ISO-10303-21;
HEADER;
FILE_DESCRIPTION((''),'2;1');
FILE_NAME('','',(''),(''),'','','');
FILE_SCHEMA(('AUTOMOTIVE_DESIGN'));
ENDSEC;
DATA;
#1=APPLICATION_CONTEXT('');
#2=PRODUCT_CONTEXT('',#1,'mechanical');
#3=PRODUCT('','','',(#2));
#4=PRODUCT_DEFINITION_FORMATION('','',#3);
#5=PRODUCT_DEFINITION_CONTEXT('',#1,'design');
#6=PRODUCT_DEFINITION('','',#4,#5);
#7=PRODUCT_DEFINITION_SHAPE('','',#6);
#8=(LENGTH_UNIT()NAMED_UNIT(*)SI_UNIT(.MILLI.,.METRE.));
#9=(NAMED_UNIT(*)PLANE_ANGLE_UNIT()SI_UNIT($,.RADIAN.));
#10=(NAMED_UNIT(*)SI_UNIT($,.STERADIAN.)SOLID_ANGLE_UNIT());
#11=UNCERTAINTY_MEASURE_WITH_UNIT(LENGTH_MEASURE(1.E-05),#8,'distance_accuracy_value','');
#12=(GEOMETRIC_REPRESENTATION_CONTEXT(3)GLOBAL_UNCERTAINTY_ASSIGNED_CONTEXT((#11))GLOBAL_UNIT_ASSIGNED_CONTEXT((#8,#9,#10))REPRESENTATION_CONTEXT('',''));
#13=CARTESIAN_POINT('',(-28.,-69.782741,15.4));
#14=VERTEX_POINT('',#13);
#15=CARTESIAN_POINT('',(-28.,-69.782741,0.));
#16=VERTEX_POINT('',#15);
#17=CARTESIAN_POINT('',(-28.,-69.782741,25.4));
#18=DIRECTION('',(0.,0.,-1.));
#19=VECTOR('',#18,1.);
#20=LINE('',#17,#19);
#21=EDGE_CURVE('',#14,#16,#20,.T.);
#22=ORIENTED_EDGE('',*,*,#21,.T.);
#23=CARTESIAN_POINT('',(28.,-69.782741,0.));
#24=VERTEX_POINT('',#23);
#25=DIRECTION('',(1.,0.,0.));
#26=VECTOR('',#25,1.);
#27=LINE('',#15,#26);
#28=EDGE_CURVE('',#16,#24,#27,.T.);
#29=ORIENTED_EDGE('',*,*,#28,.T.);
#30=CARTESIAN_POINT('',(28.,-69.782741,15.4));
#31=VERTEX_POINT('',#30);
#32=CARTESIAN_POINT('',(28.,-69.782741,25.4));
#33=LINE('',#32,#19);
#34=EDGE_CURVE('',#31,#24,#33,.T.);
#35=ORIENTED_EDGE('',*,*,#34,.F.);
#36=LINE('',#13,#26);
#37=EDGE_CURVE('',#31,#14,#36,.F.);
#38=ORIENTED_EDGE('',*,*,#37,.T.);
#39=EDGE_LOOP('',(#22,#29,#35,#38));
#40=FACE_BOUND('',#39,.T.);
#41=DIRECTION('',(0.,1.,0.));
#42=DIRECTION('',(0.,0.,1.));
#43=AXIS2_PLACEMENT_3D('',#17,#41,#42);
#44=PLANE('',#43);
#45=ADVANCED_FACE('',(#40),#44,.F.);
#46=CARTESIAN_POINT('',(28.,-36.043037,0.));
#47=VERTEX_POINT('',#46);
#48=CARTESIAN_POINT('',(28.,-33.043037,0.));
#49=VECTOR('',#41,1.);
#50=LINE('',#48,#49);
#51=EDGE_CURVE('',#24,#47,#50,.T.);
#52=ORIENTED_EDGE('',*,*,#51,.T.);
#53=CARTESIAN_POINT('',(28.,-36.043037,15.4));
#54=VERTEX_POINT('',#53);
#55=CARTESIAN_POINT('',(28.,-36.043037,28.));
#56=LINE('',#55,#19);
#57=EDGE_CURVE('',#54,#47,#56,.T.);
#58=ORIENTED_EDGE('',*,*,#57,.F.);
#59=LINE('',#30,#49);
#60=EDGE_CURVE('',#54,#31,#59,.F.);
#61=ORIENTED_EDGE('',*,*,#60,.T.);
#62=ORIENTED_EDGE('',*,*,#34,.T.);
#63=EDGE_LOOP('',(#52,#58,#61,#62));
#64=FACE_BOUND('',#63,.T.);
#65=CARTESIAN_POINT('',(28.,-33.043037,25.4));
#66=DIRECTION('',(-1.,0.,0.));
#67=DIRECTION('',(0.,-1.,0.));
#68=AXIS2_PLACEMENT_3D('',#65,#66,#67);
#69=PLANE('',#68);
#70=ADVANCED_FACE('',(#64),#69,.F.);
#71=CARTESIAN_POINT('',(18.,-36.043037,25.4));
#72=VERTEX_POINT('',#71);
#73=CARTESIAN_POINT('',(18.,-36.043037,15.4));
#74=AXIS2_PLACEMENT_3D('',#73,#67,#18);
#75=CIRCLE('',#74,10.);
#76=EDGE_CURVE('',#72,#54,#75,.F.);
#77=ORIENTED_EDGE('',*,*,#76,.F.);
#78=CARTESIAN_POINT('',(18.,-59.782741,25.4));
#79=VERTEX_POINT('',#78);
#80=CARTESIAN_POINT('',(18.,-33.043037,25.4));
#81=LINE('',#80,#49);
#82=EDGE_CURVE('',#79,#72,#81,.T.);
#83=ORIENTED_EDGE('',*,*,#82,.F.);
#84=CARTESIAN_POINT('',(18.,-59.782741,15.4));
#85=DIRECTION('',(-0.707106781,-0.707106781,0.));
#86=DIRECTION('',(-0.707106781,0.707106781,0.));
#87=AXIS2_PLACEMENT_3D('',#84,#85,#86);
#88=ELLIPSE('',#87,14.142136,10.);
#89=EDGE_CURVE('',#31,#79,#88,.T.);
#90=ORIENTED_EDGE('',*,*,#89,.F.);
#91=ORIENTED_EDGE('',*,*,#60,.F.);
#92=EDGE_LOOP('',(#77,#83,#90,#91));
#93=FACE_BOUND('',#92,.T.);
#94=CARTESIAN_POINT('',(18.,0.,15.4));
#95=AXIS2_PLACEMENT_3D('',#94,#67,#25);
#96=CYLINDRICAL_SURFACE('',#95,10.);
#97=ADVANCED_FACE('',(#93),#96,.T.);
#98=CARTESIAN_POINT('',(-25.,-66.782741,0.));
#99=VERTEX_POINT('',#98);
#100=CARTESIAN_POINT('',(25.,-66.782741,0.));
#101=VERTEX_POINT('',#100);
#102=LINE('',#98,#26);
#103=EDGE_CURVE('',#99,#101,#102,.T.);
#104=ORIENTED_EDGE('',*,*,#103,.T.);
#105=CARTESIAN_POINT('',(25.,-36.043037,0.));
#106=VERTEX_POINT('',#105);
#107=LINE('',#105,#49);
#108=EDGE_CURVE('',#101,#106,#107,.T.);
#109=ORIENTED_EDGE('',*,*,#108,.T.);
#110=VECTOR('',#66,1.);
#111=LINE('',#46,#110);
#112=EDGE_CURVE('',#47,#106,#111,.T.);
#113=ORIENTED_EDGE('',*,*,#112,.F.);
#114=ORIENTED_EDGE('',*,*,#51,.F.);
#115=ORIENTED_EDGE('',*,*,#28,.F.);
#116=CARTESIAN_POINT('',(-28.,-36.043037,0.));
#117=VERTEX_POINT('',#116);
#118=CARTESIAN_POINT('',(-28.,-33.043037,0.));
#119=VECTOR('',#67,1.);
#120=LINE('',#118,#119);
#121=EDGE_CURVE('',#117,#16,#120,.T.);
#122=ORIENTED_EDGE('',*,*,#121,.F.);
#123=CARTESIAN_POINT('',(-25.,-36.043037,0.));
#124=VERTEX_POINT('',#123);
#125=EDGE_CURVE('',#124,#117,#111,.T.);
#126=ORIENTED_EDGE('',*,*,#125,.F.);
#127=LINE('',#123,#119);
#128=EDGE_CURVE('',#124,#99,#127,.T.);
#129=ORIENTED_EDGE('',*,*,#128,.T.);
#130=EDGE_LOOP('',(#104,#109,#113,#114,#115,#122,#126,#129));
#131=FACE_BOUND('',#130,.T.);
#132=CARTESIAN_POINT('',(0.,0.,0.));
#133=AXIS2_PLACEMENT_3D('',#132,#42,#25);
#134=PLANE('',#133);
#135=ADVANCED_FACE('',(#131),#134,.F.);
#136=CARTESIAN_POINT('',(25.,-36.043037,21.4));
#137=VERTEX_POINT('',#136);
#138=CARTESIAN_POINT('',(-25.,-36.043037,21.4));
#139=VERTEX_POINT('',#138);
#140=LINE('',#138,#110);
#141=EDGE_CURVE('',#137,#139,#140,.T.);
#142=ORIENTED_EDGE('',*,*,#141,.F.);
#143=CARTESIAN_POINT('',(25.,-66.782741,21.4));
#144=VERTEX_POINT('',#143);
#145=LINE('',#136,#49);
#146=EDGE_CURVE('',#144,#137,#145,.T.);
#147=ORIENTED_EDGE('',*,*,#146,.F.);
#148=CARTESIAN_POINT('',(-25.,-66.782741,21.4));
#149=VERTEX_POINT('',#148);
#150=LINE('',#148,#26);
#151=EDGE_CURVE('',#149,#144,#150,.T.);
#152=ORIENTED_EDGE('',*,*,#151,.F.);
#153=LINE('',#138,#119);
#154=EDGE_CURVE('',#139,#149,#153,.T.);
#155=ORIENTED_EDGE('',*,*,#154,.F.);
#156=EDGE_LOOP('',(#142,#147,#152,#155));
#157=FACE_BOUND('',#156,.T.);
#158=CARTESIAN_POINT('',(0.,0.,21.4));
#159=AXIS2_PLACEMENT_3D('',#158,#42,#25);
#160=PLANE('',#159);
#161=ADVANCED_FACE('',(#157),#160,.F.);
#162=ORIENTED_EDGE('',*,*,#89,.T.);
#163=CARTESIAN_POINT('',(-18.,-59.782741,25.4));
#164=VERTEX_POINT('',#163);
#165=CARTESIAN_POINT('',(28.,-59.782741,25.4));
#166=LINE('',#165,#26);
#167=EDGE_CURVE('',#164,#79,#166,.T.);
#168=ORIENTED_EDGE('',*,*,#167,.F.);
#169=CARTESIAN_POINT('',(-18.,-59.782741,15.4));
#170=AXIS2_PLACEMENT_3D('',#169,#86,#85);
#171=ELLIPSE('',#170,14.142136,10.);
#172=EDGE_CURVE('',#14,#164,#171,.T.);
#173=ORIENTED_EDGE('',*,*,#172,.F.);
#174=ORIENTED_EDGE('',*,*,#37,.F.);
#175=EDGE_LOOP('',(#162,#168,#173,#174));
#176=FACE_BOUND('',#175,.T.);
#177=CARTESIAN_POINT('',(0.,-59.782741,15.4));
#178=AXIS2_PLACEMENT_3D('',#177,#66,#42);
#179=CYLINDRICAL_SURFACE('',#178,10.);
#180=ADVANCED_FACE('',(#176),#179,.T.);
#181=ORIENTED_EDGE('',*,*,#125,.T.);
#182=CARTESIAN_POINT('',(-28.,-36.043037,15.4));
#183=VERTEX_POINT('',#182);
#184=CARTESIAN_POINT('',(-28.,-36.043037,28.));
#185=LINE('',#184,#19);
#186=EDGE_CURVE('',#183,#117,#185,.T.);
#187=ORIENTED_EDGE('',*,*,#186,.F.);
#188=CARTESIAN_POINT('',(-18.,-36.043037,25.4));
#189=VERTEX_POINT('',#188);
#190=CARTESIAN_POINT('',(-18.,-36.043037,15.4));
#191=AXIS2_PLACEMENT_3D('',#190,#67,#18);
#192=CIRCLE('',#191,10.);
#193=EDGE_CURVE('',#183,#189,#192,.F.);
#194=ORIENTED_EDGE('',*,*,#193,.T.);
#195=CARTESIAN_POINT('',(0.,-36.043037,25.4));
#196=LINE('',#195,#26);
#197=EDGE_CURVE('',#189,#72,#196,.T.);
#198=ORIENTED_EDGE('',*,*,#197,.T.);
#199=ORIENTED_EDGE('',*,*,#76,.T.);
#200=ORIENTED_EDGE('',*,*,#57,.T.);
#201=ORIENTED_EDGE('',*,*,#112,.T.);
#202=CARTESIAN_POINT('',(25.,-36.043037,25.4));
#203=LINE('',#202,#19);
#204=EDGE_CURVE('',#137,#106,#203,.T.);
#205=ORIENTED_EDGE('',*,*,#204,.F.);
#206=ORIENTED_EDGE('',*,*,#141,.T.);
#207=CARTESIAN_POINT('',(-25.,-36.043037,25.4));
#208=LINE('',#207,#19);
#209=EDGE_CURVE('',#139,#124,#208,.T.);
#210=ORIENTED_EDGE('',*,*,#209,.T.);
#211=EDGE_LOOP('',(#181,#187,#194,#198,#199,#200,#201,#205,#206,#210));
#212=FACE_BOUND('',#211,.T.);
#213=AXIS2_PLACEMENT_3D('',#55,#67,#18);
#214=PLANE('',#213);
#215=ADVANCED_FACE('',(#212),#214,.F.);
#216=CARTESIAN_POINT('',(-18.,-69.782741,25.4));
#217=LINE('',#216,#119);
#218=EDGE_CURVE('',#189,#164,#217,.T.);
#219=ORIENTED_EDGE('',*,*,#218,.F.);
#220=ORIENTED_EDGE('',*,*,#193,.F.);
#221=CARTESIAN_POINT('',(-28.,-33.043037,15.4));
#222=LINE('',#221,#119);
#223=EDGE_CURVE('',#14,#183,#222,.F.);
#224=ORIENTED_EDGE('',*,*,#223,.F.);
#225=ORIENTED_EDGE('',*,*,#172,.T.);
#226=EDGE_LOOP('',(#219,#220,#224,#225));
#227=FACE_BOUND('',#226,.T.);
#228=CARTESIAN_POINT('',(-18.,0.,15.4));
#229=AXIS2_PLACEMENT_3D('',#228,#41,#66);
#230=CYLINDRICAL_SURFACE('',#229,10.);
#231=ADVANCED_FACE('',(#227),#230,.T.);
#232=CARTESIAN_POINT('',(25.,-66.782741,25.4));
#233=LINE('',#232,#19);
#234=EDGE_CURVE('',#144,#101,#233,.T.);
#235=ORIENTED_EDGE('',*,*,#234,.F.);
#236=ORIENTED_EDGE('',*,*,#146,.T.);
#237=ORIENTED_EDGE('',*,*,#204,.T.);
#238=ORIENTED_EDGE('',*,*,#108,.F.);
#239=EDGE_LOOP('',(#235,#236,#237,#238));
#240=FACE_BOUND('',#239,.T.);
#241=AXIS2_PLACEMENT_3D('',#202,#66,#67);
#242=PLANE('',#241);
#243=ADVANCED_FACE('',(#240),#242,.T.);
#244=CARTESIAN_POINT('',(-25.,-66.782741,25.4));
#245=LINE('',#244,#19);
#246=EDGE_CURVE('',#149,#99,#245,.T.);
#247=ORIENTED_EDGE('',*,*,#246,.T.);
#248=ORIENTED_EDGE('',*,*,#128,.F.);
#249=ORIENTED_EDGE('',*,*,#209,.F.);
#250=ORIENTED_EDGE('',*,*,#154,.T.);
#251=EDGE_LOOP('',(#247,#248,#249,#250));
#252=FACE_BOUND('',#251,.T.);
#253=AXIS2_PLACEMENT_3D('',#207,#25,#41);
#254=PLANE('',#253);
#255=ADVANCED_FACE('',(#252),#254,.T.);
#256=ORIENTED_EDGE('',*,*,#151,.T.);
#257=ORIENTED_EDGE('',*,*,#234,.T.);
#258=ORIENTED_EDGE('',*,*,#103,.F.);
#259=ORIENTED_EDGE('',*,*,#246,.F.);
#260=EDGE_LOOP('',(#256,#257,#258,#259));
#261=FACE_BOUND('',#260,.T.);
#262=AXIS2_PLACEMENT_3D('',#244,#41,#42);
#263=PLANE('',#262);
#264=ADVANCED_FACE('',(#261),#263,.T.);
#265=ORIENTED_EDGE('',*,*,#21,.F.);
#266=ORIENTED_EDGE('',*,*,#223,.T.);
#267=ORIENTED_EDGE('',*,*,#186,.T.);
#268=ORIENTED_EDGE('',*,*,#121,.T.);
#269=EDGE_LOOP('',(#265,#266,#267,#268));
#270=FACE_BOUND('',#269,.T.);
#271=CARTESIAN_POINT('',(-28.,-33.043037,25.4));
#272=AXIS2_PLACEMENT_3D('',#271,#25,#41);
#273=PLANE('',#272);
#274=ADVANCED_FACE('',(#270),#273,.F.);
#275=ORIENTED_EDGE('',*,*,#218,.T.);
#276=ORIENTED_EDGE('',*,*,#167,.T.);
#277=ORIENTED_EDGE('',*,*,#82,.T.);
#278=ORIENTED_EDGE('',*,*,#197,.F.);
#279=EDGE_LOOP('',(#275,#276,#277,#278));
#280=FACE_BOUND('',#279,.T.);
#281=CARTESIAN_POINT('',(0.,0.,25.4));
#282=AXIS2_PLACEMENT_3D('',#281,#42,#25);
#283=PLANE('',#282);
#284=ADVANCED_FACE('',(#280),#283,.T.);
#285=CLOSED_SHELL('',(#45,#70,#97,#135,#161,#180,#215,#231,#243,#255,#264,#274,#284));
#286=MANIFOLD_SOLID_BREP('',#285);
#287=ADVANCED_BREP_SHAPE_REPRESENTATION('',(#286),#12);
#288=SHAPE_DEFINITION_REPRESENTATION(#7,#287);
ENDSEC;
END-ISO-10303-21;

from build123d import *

# Parameters (mm, degrees)
SKETCH1_W           = 56
SKETCH1_H           = 36.73970361
SKETCH1_W_2         = 50
SKETCH1_H_2         = 30.73970361
BOSS_EXTRUDE1_DEPTH = 25.4
SKETCH2_W           = 56
SKETCH2_H           = 36.73970361
BOSS_EXTRUDE2_DEPTH = 4
FILLET1_R           = 10
SKETCH3_W           = 56
SKETCH3_H           = 3
CUT_EXTRUDE1_DEPTH  = 28


with BuildPart() as part:
    # Sketch1 → Boss-Extrude1 (new body)
    with BuildSketch(Plane.XY):
        with Locations((0, -51.412888934)):
            Rectangle(SKETCH1_W, SKETCH1_H)
        with Locations((0, -51.412888934)):
            Rectangle(SKETCH1_W_2, SKETCH1_H_2, mode=Mode.SUBTRACT)
    extrude(amount=BOSS_EXTRUDE1_DEPTH)

    # Sketch2 → Boss-Extrude2 (add)
    with BuildSketch(Plane.XY.offset(25.4)):
        with Locations((0, -51.412888934)):
            Rectangle(SKETCH2_W, SKETCH2_H)
    extrude(amount=-BOSS_EXTRUDE2_DEPTH)

    # Fillet1
    fillet1_edges = [part.edges().sort_by_distance(p)[0] for p in [
        (28, -51.412888934, 25.4),
        (-28, -51.412888934, 25.4),
        (0, -69.782740739, 25.4),
    ]]
    fillet(fillet1_edges, radius=FILLET1_R)

    # Sketch3 → Cut-Extrude1 (cut)
    with BuildSketch(Plane(origin=(0, 0, 0), x_dir=(-1, 0, 0), z_dir=(0, 0, -1))):
        with Locations((0, -34.543037129)):
            Rectangle(SKETCH3_W, SKETCH3_H)
    extrude(amount=-CUT_EXTRUDE1_DEPTH, mode=Mode.SUBTRACT)


solid = part.part
